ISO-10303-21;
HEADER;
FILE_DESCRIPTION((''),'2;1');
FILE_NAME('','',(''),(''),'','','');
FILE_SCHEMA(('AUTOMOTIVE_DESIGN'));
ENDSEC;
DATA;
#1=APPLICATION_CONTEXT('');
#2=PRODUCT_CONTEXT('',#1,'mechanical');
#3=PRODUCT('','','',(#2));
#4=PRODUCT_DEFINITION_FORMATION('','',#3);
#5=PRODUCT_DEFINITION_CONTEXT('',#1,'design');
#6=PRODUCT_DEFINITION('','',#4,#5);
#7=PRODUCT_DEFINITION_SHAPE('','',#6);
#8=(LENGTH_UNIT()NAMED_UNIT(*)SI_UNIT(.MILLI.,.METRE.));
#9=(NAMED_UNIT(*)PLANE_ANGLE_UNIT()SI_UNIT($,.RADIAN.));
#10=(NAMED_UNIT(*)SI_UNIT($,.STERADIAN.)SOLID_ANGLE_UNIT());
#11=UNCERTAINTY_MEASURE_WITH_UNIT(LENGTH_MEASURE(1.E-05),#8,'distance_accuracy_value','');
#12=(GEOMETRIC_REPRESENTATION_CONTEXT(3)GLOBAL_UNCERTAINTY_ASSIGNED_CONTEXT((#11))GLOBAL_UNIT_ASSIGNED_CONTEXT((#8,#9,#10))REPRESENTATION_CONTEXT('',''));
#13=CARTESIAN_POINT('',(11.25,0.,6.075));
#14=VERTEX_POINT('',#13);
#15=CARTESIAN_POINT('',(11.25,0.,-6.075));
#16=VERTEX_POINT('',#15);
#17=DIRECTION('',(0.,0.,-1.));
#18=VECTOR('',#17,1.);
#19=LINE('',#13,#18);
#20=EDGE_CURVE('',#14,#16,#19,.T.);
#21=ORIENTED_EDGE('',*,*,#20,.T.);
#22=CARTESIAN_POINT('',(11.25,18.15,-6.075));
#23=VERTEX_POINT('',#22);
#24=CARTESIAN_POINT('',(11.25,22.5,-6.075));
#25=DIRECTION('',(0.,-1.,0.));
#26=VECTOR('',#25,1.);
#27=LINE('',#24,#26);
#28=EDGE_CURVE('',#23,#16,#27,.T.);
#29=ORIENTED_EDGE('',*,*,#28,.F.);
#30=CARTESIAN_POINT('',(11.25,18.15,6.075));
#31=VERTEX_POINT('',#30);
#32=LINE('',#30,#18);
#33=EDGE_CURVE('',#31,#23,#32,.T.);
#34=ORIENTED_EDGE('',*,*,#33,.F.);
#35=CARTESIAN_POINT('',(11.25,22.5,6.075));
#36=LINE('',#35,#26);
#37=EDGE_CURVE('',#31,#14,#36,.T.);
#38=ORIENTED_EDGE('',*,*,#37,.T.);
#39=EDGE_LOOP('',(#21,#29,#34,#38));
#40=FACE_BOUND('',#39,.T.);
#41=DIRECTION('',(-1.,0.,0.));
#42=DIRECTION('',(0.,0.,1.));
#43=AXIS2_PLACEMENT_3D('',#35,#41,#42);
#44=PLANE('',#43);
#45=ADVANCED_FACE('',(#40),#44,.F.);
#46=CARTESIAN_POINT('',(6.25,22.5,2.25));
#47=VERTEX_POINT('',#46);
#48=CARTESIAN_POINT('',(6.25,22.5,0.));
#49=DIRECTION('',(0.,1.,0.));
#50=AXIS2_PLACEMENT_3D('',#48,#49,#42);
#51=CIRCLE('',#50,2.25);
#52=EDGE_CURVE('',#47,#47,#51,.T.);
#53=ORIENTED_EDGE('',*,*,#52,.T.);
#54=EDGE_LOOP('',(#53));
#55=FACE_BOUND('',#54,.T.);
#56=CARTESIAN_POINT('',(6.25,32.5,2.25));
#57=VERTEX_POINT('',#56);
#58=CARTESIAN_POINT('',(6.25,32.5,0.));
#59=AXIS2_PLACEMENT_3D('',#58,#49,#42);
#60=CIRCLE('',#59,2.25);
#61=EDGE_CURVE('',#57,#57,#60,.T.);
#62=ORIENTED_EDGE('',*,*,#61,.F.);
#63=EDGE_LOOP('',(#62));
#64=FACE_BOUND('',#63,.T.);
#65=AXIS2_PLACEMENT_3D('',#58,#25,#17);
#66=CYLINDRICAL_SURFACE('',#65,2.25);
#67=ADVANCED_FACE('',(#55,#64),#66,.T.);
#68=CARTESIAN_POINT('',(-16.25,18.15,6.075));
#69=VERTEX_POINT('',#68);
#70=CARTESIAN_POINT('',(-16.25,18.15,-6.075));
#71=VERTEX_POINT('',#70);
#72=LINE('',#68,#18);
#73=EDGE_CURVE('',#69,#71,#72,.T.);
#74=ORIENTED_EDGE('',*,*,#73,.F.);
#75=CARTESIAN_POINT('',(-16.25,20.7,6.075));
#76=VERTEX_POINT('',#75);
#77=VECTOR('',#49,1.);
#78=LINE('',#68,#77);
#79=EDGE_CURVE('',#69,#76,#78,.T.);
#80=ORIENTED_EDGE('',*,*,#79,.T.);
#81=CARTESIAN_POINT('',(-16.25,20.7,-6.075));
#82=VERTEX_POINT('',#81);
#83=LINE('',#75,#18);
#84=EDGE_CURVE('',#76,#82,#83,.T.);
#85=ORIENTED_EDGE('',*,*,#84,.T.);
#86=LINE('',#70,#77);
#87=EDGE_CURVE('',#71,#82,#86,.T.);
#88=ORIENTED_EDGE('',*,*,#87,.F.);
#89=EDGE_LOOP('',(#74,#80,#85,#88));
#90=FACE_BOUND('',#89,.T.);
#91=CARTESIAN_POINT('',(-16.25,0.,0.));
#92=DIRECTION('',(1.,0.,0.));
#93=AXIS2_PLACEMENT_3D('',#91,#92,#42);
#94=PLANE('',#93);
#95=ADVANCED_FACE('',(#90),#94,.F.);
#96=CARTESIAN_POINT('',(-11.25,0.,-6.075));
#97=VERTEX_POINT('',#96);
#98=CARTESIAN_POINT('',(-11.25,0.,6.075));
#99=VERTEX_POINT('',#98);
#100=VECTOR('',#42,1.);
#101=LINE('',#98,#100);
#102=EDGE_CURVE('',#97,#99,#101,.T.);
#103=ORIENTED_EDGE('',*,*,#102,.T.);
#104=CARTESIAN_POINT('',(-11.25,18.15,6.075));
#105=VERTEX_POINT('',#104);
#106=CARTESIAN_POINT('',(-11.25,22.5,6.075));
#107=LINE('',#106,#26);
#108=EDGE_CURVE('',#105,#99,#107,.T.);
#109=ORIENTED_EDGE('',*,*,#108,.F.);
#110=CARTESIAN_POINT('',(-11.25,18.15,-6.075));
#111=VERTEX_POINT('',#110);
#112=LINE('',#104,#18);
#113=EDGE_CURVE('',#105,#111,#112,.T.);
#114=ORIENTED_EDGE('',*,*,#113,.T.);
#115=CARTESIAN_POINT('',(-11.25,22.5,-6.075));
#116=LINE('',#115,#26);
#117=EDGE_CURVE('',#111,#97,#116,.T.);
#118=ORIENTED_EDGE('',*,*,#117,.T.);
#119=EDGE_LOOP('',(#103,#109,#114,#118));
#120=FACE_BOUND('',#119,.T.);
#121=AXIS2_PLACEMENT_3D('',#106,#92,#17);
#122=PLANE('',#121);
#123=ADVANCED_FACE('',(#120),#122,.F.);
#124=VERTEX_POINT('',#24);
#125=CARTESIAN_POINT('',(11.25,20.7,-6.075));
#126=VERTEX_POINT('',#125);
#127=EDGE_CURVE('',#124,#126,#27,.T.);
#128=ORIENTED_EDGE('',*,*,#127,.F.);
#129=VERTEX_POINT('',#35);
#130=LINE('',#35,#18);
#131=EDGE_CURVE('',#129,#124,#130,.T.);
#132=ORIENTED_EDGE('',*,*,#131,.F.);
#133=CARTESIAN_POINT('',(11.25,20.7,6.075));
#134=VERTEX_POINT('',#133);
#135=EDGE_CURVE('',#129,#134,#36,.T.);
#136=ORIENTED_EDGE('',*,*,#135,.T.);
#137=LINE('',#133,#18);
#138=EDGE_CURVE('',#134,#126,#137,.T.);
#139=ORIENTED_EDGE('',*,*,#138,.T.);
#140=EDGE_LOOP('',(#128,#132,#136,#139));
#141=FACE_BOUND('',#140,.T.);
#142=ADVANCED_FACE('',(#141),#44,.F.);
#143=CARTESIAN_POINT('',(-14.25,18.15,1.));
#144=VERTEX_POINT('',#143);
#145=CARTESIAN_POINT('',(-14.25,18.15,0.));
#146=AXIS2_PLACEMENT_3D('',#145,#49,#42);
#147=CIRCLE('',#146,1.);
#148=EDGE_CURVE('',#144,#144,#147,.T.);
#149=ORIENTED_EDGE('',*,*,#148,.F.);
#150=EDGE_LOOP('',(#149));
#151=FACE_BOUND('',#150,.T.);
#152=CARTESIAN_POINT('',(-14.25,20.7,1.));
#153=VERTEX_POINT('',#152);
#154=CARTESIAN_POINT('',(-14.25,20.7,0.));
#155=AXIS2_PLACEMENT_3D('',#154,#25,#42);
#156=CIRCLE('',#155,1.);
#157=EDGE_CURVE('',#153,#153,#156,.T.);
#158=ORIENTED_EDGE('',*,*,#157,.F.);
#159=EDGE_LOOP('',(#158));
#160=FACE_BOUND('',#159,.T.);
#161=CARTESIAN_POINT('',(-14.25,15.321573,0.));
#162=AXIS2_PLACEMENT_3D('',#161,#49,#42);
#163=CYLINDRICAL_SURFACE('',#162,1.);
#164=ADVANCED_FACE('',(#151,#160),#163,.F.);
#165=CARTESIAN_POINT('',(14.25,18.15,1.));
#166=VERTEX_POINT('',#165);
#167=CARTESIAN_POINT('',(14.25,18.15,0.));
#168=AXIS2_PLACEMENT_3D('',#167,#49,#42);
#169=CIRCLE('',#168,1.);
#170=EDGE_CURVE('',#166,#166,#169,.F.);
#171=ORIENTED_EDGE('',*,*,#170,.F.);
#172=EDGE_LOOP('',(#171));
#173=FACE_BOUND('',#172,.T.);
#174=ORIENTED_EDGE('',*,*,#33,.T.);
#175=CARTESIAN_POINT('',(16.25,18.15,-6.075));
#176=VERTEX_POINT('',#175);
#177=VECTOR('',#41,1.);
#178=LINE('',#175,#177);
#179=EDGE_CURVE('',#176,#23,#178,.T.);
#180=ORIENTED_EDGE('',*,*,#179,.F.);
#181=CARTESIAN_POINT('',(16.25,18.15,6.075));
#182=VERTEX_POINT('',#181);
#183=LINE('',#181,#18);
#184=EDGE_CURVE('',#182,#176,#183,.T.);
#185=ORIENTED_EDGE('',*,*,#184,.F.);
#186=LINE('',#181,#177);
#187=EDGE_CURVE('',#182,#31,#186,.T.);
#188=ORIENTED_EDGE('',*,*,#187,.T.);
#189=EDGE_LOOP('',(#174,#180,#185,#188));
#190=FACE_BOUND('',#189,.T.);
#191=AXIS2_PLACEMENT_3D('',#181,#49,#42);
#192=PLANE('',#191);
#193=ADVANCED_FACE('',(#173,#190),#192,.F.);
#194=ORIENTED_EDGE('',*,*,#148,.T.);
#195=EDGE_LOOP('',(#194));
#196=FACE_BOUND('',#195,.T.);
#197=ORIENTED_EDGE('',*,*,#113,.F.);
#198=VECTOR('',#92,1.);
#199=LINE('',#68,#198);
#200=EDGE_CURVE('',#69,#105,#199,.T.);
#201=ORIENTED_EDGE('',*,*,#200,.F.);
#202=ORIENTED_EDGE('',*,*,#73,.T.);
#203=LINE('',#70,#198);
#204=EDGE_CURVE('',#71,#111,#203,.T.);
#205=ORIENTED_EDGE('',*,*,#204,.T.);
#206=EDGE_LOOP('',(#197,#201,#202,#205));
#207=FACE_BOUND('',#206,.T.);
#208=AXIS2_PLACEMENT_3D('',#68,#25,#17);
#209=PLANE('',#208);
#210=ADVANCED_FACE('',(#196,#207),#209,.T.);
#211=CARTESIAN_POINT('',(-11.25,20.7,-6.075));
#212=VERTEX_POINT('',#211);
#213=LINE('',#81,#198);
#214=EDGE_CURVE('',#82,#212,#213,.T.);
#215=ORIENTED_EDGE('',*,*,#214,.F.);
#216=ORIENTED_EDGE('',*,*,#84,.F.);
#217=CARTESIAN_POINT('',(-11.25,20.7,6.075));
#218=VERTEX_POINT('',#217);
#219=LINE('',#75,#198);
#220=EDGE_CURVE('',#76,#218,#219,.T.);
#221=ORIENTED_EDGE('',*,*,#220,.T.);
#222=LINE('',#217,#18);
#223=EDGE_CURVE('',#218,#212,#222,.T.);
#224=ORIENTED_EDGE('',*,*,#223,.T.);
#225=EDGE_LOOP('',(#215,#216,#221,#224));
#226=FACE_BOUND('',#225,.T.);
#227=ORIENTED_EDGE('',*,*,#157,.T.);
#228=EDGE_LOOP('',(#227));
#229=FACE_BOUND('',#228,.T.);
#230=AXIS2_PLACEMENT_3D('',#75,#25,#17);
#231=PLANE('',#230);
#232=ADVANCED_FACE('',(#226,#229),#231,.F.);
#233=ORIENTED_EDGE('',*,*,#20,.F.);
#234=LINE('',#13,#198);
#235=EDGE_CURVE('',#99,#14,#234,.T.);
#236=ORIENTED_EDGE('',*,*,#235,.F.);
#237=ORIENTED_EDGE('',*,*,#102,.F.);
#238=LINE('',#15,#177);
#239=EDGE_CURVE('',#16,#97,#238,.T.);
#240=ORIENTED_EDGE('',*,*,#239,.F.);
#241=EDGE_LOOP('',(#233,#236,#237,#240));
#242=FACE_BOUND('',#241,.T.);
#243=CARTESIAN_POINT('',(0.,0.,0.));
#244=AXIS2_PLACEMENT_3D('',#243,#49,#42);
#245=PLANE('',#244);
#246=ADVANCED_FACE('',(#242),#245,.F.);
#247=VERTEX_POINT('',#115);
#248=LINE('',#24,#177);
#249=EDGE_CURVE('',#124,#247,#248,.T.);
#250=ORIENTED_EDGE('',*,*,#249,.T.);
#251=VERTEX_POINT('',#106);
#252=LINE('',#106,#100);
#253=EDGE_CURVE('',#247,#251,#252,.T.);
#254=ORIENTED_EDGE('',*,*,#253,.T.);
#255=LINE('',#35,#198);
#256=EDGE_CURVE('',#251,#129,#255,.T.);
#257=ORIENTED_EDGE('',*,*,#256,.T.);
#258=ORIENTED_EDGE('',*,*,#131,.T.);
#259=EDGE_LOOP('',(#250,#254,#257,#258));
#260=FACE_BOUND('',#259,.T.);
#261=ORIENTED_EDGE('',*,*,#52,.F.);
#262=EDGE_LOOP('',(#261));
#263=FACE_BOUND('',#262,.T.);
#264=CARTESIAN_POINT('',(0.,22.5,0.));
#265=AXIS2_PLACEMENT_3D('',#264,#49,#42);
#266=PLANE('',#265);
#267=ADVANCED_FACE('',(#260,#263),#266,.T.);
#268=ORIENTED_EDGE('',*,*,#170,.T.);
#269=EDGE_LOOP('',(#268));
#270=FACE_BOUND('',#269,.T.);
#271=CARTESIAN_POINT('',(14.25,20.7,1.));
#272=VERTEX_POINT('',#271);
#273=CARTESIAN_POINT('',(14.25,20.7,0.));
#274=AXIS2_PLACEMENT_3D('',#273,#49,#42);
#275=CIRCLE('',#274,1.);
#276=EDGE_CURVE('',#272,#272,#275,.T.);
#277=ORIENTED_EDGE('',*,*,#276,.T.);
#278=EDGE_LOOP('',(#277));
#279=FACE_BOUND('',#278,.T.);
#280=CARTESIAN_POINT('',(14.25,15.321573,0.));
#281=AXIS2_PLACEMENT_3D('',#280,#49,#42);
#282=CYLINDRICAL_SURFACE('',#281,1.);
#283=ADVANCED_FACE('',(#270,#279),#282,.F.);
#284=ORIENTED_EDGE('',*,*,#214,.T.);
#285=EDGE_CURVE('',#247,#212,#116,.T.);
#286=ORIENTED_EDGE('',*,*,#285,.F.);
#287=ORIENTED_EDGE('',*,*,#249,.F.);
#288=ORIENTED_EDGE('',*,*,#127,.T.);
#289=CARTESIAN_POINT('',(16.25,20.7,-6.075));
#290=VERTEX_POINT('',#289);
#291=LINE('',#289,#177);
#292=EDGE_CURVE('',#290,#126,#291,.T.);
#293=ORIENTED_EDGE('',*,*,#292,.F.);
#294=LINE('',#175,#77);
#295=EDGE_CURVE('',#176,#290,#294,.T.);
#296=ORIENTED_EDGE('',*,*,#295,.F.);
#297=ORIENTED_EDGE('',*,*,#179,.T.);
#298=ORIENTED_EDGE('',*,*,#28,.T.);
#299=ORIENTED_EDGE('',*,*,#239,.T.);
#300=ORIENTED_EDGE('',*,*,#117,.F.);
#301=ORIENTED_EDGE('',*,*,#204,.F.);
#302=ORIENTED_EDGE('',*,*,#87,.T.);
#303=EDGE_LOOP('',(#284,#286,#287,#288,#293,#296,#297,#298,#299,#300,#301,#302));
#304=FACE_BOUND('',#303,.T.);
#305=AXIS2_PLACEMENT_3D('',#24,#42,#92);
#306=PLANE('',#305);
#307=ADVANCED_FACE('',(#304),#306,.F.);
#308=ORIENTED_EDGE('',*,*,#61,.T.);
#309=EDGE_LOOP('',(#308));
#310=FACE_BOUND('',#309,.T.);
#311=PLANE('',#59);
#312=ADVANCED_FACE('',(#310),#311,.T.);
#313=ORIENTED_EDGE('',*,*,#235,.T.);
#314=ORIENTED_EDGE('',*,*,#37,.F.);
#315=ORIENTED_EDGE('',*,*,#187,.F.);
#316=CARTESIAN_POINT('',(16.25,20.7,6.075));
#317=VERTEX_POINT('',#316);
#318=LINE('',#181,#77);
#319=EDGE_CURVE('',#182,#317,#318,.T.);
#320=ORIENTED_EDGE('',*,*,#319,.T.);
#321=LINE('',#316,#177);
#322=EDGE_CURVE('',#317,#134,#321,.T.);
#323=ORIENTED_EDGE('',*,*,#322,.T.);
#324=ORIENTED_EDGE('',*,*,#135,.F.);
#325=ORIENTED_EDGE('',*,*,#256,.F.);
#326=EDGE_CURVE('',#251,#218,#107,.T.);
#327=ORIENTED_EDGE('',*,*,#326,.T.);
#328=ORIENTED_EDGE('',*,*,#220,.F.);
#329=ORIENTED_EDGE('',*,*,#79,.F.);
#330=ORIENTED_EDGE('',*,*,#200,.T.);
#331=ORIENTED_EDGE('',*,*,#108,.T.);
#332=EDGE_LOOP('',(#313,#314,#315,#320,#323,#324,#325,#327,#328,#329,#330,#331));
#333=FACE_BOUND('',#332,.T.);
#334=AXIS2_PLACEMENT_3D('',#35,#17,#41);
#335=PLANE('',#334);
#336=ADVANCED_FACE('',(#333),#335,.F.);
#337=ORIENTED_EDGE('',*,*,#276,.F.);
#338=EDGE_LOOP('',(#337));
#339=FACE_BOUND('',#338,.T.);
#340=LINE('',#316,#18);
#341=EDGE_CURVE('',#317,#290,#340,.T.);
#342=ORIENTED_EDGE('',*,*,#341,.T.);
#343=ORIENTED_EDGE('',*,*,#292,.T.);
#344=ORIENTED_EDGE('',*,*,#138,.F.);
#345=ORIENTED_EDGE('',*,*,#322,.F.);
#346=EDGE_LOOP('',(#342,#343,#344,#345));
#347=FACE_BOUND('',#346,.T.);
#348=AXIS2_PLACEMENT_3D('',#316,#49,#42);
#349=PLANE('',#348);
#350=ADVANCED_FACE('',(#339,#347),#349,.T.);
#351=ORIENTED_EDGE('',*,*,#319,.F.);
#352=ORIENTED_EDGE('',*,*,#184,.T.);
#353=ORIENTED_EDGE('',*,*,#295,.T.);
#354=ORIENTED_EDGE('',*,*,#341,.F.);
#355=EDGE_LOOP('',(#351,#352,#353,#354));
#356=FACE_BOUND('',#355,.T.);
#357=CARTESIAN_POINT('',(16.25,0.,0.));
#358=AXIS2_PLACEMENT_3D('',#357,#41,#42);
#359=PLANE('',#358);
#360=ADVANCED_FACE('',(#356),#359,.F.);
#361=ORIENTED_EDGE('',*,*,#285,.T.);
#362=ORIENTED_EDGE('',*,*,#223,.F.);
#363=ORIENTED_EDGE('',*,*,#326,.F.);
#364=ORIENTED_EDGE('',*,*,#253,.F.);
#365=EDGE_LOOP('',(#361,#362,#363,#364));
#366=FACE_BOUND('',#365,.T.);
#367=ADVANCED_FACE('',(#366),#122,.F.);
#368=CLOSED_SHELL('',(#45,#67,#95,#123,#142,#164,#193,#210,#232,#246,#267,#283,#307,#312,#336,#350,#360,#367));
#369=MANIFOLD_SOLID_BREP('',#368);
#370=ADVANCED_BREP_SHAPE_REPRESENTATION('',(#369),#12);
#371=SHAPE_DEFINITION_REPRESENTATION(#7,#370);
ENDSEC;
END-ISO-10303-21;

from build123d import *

# Parameters (mm, degrees)
SKETCH1_W           = 22.5
SKETCH1_H           = 12.15
BOSS_EXTRUDE1_DEPTH = 22.5
SKETCH2_W           = 12.15
SKETCH2_H           = 2.55
BOSS_EXTRUDE2_DEPTH = 5
SKETCH3_R           = 1
CUT_EXTRUDE1_DEPTH  = 2.55
SKETCH4_R           = 2.25
BOSS_EXTRUDE3_DEPTH = 10


with BuildPart() as part:
    # Sketch1 → Boss-Extrude1 (new body)
    with BuildSketch(Plane(origin=(0, 0, 0), x_dir=(1, 0, 0), z_dir=(0, 1, 0))):
        Rectangle(SKETCH1_W, SKETCH1_H)
    extrude(amount=BOSS_EXTRUDE1_DEPTH)

    # Sketch2 → Boss-Extrude2 (add)
    with BuildSketch(Plane(origin=(11.25, 0, 0), x_dir=(0, 0, -1), z_dir=(1, 0, 0))):
        with Locations((0, 19.425)):
            Rectangle(SKETCH2_W, SKETCH2_H)
    boss_extrude2 = extrude(amount=BOSS_EXTRUDE2_DEPTH)

    # Sketch3 → Cut-Extrude1 (cut)
    with BuildSketch(Plane(origin=(0, 20.7, 0), x_dir=(1, 0, 0), z_dir=(0, 1, 0))):
        with Locations(Location((14.25, 0, 0), (0, 0, 270))):
            Circle(SKETCH3_R)
    cut_extrude1 = extrude(amount=-CUT_EXTRUDE1_DEPTH, mode=Mode.SUBTRACT)

    # Mirror1: Boss-Extrude2, Cut-Extrude1 across plane
    add(boss_extrude2.mirror(Plane(origin=(0, 0, 0), x_dir=(0, 0, 1), z_dir=(1, 0, 0))))
    add(cut_extrude1.mirror(Plane(origin=(0, 0, 0), x_dir=(0, 0, 1), z_dir=(1, 0, 0))), mode=Mode.SUBTRACT)

    # Sketch4 → Boss-Extrude3 (add)
    with BuildSketch(Plane(origin=(0, 22.5, 0), x_dir=(1, 0, 0), z_dir=(0, 1, 0))):
        with Locations(Location((6.25, 0, 0), (0, 0, 270))):
            Circle(SKETCH4_R)
    extrude(amount=BOSS_EXTRUDE3_DEPTH)


solid = part.part
